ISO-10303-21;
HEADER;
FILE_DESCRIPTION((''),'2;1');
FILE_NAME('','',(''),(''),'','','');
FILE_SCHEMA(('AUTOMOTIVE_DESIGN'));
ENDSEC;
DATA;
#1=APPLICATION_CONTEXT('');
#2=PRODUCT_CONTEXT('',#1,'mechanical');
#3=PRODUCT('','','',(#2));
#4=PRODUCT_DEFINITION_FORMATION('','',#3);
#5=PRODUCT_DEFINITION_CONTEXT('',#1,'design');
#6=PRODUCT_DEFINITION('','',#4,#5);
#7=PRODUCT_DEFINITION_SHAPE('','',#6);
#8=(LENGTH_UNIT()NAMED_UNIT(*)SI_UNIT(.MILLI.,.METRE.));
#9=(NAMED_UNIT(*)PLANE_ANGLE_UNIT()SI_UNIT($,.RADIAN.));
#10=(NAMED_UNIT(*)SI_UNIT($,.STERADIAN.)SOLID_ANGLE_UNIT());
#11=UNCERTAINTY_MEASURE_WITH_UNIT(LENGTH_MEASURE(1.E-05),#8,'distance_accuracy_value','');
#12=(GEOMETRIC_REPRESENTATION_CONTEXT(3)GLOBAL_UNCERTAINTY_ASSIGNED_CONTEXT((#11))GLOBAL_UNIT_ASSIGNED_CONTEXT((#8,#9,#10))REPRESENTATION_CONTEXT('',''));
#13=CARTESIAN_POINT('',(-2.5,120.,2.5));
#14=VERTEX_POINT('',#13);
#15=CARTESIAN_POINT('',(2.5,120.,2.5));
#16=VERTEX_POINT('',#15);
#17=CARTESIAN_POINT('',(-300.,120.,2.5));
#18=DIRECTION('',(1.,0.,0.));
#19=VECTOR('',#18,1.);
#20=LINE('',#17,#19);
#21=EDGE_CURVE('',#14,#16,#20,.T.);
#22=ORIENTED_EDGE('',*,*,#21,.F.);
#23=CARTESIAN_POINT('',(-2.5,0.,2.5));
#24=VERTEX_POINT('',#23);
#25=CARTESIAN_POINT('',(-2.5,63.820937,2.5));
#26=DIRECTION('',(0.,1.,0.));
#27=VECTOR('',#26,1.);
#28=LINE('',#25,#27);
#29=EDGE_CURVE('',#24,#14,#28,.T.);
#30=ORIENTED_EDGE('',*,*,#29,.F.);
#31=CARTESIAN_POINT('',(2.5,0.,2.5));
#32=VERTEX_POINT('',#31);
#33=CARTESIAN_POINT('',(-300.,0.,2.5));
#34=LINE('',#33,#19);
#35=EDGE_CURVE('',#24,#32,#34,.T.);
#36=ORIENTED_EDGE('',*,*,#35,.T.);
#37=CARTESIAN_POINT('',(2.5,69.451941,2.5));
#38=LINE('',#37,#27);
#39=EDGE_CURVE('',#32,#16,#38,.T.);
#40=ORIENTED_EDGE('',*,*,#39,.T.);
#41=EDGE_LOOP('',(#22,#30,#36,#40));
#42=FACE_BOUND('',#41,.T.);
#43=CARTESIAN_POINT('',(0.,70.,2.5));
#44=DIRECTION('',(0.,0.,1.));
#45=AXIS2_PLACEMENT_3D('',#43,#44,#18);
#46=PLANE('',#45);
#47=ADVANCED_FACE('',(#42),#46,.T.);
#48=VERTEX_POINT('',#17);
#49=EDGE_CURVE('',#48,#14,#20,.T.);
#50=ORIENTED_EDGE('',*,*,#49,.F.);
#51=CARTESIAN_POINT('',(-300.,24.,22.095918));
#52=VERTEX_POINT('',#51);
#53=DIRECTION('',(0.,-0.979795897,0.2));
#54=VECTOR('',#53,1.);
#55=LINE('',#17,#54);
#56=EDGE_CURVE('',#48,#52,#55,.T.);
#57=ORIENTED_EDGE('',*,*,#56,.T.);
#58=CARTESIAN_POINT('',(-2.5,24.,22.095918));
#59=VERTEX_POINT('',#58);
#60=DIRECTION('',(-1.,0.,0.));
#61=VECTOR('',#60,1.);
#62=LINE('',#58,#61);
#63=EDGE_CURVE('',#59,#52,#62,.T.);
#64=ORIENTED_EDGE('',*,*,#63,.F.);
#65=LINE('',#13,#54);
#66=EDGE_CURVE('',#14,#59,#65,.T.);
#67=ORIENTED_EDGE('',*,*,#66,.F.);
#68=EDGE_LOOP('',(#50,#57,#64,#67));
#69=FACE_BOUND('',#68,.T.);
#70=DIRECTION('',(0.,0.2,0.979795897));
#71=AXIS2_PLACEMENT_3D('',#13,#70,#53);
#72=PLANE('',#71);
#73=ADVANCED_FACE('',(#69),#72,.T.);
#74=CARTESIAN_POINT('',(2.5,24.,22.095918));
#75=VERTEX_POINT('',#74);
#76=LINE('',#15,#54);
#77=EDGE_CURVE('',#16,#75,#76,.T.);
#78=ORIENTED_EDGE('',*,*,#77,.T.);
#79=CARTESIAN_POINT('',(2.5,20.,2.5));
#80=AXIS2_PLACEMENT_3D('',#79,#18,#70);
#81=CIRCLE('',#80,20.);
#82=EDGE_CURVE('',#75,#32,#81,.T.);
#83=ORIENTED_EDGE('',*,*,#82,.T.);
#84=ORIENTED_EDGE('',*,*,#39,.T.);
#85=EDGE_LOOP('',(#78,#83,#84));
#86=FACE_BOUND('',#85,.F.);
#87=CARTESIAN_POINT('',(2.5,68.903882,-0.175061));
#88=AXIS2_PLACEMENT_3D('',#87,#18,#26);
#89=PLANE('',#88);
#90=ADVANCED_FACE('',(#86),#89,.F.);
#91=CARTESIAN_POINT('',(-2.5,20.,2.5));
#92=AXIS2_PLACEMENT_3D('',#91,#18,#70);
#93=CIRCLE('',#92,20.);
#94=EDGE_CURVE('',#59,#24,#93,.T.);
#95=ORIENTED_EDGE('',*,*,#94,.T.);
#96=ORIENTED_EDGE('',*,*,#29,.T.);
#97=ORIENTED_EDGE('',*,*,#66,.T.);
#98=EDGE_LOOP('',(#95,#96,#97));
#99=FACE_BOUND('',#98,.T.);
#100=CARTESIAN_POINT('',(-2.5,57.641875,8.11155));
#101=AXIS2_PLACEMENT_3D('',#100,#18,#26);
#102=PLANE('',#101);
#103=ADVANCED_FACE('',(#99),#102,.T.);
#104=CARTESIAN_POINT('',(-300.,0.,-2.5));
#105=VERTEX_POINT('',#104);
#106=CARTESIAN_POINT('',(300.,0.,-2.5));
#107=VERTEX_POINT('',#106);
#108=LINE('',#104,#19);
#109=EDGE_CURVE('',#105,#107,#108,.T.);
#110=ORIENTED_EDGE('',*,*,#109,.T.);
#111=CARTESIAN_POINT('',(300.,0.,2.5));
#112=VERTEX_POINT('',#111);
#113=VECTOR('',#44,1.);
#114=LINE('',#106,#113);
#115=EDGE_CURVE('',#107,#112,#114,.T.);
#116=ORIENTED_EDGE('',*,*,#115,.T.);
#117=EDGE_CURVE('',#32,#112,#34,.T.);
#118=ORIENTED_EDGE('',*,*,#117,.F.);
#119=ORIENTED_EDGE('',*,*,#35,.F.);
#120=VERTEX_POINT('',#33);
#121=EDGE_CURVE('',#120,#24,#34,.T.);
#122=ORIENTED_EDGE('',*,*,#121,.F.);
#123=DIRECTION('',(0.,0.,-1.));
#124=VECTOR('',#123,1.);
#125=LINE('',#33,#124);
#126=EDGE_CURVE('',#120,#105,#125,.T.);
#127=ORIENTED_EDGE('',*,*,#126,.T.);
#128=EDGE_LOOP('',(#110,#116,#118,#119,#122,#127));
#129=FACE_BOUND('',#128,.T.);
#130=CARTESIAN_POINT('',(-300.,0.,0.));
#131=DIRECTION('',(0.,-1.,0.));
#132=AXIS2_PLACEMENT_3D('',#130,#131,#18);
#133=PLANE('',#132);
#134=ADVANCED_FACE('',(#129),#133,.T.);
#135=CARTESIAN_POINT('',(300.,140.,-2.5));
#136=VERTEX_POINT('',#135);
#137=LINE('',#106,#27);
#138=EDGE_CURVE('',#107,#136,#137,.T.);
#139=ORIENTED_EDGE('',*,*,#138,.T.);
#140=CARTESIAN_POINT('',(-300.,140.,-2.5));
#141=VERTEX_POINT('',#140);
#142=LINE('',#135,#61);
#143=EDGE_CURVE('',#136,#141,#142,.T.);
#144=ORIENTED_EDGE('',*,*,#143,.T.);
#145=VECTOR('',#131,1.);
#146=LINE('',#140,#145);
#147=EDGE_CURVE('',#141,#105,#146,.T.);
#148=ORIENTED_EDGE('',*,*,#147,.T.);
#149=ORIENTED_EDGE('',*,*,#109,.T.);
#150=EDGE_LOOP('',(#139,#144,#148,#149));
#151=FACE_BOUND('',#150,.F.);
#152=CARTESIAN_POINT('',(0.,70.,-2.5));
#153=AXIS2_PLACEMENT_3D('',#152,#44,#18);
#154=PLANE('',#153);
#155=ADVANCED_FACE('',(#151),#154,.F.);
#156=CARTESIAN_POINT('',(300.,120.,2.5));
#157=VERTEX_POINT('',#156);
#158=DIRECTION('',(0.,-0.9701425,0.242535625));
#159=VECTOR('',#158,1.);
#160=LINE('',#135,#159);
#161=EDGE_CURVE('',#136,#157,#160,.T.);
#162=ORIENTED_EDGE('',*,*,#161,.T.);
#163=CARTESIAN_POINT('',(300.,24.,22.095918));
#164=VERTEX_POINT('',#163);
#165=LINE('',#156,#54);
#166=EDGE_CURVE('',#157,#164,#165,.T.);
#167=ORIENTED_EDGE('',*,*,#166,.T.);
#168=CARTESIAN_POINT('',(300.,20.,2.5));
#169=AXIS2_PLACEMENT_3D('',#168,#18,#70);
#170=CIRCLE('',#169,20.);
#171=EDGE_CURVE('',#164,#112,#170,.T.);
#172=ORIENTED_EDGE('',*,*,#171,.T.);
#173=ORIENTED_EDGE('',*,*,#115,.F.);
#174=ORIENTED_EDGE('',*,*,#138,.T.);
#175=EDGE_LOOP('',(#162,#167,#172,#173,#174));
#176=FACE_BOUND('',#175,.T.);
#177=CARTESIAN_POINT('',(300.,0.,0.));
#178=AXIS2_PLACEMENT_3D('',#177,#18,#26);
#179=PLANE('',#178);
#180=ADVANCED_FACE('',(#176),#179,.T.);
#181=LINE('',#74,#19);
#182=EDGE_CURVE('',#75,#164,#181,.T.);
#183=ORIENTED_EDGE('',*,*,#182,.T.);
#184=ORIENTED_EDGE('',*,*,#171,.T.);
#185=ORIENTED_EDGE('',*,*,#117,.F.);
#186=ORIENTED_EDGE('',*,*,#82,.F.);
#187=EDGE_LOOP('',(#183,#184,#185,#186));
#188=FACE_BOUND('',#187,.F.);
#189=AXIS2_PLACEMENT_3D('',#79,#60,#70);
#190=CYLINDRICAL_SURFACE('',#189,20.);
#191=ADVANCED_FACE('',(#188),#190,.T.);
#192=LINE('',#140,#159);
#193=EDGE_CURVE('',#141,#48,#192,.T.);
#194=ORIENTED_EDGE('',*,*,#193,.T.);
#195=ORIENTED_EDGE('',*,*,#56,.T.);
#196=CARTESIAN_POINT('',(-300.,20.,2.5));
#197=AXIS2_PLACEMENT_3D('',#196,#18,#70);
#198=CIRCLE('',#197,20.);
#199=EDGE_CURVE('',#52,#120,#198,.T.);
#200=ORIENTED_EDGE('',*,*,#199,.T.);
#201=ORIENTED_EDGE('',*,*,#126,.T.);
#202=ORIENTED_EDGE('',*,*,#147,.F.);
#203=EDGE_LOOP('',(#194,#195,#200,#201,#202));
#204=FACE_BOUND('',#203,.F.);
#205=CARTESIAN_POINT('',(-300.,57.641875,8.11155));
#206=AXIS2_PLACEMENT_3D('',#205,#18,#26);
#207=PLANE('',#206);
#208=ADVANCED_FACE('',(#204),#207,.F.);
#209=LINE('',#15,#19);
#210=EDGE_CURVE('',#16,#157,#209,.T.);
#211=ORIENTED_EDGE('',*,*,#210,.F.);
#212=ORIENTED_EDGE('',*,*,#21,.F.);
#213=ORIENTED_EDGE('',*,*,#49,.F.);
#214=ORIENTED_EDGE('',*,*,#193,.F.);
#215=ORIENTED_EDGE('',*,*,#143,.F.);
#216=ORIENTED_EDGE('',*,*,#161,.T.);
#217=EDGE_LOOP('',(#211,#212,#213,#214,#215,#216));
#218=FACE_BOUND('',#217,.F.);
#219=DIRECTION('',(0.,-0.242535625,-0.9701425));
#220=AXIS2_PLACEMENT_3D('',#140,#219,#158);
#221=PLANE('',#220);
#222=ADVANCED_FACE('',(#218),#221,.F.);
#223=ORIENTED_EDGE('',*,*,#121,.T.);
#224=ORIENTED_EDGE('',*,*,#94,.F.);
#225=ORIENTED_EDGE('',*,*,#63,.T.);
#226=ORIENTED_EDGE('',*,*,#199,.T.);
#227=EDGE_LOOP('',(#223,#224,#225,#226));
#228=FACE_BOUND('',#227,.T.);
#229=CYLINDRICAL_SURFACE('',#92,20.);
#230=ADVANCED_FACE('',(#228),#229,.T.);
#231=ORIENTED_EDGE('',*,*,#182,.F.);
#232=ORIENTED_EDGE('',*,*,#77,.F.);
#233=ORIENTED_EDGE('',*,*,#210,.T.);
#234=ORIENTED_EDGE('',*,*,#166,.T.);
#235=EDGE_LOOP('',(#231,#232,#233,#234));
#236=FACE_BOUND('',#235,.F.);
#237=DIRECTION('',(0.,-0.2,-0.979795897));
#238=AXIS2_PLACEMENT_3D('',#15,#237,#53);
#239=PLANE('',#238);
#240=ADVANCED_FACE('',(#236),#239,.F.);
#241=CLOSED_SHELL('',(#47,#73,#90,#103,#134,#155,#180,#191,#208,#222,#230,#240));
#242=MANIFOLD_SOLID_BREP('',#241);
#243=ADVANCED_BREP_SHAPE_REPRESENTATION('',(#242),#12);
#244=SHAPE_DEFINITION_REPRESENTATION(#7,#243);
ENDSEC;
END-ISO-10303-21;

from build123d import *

# Parameters (mm, degrees)
F3_DEPTH  = 2.5
F5_DEPTH  = 297.5
F8_DEPTH  = 600
F10_DEPTH = 297.5


with BuildPart() as f3:
    # F0 (on Top) → F3 (new body, symmetric)
    with BuildSketch(Plane.XY):
        Polygon((-300, 0), (0, 0), (300, 0), (300, 140), (-300, 140), align=None)
    extrude(amount=F3_DEPTH, both=True)

    # F4 (on offset) → F5 (join)
    with BuildSketch(Plane.YZ.offset(2.5)):
        Polygon((0, 2.5), (0, 0), (0, -2.5), (140, -2.5), (120, 2.5), align=None)
        with BuildLine():
            ThreePointArc((24, 22.0959179423), (7.3508893593, 17.9919333848), (0, 2.5))
            Line((0, 2.5), (120, 2.5))
            Line((120, 2.5), (24, 22.0959179423))
        make_face()
        Polygon((140, 2.5), (120, 2.5), (140, -2.5), align=None)
    extrude(amount=F5_DEPTH)

    # F7 (on offset) → F8 (cut)
    with BuildSketch(Plane(origin=(-300, 0, 0), x_dir=(0, -1, 0), z_dir=(-1, 0, 0))):
        Polygon((-140, -2.5), (-120, 2.5), (-140, 2.5), align=None)
    extrude(amount=-F8_DEPTH, mode=Mode.SUBTRACT)

    # F9 (on offset) → F10 (join)
    with BuildSketch(Plane.YZ.offset(-2.5)):
        with BuildLine():
            ThreePointArc((24, 22.0959179423), (7.3508893593, 17.9919333848), (0, 2.5))
            Line((0, 2.5), (120, 2.5))
            Line((120, 2.5), (24, 22.0959179423))
        make_face()
        Polygon((0, 2.5), (0, 0), (0, -2.5), (140, -2.5), (120, 2.5), align=None)
    extrude(amount=-F10_DEPTH)


solid = f3.part
